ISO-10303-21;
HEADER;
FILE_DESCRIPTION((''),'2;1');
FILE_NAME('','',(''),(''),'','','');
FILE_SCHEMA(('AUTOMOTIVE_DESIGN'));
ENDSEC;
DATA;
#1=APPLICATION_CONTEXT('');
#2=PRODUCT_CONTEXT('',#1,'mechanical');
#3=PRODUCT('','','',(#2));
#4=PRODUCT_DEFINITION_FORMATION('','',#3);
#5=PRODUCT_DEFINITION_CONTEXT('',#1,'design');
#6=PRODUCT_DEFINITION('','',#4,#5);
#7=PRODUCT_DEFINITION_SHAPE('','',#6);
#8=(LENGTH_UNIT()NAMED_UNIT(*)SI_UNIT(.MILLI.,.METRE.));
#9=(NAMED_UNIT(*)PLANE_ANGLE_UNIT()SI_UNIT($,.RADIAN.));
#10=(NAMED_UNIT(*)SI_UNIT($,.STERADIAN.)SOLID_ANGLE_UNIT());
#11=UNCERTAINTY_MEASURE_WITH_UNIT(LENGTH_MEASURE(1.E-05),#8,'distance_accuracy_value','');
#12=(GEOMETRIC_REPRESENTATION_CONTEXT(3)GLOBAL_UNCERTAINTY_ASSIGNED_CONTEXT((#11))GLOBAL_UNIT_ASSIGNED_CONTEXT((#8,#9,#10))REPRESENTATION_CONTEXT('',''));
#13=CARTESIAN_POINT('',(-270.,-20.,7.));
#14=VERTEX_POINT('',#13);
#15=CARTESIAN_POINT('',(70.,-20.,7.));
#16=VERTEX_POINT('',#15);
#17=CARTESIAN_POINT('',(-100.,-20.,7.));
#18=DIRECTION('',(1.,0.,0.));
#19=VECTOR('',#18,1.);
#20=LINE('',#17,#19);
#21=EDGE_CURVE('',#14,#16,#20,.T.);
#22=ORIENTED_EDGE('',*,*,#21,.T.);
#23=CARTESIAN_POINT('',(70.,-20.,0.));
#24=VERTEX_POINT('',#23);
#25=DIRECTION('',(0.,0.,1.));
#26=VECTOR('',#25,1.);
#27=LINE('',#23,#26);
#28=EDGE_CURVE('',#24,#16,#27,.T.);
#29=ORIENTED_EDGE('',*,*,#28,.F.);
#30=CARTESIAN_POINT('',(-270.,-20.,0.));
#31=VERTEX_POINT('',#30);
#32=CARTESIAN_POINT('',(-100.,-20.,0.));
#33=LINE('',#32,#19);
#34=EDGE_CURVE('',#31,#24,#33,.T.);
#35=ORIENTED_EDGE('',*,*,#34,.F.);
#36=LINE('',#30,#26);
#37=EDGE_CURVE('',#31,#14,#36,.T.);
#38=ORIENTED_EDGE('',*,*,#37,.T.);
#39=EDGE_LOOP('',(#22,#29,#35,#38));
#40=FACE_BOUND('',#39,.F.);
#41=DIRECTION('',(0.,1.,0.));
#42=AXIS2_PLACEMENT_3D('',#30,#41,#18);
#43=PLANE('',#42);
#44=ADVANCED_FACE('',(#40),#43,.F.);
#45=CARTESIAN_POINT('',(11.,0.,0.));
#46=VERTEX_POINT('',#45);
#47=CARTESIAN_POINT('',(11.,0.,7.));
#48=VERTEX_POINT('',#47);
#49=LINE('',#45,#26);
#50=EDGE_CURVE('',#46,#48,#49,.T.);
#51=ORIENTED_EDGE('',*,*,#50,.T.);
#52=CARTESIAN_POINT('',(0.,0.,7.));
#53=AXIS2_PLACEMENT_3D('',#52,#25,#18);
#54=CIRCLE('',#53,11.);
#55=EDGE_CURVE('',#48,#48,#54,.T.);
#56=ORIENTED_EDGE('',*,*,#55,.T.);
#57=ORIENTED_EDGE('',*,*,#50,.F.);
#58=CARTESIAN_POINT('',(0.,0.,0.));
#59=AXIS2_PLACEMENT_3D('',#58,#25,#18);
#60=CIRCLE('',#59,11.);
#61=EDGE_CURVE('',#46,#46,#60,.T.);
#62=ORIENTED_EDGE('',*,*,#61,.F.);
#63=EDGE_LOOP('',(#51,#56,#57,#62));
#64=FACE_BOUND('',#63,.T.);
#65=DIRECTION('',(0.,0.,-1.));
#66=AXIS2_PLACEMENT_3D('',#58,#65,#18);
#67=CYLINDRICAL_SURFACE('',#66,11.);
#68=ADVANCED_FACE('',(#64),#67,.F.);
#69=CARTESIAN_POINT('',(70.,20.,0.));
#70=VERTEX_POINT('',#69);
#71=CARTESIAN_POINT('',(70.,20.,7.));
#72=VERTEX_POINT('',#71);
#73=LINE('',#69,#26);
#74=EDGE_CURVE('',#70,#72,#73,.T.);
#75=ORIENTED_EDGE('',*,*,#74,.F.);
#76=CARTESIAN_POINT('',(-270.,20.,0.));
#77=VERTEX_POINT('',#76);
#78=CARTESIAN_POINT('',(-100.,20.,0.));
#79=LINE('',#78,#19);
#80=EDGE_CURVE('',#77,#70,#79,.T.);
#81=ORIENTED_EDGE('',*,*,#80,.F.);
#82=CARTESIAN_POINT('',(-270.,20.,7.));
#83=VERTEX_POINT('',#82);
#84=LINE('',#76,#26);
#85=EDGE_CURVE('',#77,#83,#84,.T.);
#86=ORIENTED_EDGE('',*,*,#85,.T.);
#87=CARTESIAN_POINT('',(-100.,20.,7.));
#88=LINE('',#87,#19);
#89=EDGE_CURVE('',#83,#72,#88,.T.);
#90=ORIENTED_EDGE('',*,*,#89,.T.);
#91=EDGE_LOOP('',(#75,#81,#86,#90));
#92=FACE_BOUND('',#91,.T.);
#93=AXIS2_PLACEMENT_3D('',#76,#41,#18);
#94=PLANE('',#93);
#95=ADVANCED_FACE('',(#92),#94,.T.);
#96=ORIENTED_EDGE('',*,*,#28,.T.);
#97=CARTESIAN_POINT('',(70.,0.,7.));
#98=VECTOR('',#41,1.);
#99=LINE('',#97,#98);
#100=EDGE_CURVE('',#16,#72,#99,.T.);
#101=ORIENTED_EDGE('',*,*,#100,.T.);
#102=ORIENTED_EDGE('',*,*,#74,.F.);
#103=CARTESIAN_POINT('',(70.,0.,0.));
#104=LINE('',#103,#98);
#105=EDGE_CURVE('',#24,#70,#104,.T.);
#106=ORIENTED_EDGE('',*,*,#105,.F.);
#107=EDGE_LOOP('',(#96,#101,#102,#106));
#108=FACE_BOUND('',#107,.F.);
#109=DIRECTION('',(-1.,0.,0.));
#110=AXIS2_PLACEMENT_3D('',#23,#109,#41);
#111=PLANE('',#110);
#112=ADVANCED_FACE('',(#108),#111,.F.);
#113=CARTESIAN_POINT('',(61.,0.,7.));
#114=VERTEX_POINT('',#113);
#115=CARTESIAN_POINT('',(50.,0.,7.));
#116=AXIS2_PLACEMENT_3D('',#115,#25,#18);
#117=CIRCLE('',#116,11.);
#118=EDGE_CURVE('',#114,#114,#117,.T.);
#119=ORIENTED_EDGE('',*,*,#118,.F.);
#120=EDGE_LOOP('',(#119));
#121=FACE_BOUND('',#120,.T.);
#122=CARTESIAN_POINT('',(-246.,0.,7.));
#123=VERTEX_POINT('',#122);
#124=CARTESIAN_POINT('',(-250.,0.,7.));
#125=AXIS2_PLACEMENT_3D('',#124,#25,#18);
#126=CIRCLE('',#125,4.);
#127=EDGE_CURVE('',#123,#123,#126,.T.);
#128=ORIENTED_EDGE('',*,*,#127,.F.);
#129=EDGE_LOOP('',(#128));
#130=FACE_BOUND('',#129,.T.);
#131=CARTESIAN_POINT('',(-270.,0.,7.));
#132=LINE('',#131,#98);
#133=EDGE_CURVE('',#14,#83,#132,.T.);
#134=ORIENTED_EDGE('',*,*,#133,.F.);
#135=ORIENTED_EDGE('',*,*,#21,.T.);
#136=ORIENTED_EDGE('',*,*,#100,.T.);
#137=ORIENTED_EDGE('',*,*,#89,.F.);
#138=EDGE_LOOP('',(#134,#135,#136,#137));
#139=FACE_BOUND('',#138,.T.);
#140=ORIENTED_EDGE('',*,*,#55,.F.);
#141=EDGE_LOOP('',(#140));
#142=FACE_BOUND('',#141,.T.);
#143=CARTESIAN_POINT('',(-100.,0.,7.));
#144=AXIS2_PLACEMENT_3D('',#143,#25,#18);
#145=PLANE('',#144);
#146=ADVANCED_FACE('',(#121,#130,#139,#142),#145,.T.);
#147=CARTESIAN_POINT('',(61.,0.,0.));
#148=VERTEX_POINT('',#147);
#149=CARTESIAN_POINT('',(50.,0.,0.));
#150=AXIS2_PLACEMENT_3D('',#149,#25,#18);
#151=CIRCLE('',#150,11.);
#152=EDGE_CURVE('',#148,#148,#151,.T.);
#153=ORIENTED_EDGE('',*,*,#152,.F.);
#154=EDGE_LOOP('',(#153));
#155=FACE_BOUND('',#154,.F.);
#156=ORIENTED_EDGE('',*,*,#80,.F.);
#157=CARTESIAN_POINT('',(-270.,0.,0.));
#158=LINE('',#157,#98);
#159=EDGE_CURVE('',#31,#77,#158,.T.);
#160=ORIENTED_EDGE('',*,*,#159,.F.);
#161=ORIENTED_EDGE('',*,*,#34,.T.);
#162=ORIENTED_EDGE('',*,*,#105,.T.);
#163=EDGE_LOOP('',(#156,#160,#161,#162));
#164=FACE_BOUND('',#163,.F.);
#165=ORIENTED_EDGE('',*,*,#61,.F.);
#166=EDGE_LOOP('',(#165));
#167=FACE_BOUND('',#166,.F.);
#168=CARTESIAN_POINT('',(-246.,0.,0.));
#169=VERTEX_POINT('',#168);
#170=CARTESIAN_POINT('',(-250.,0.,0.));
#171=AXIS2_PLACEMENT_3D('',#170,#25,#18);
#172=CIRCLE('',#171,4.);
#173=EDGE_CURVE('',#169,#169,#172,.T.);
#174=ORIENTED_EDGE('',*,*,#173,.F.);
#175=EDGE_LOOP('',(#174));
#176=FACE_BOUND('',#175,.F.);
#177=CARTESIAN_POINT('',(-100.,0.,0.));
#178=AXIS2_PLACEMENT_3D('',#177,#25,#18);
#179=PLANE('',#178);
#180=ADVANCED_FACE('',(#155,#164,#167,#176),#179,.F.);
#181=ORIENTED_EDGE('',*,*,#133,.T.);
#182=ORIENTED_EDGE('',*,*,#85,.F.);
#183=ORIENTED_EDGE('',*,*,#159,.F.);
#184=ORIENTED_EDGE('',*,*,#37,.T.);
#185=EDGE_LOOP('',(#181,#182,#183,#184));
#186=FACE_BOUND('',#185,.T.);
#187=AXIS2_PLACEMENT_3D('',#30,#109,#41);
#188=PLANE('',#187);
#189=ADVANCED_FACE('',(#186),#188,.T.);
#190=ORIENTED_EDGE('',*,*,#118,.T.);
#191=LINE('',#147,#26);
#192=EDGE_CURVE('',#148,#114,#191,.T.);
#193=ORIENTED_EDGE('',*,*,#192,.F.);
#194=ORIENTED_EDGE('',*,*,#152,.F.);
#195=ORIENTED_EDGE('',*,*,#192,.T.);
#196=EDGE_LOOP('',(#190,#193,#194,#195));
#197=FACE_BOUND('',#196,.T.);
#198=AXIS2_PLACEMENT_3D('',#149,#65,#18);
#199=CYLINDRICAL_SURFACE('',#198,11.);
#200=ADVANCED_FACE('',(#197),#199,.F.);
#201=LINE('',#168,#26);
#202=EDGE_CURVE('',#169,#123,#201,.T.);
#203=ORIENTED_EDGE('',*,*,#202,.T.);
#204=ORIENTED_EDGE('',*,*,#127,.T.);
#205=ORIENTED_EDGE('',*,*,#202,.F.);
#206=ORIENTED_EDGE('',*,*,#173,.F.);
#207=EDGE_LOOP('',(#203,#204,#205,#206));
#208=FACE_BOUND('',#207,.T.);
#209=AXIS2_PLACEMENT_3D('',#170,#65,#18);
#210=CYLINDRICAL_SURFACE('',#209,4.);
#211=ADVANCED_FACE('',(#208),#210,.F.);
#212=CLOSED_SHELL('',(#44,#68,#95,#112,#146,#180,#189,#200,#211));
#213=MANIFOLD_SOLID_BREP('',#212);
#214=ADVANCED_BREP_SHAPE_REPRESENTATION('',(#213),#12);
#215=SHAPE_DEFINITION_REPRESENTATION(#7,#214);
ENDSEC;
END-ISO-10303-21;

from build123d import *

# Parameters (mm, degrees)
SKETCH_W   = 340
SKETCH_H   = 40
SKETCH_R   = 11
SKETCH_R_2 = 4
PAD_DEPTH  = 7


with BuildPart() as part:
    # Sketch → Pad (new body)
    with BuildSketch(Plane.XY):
        with Locations((-100, 0)):
            Rectangle(SKETCH_W, SKETCH_H)
        Circle(SKETCH_R, mode=Mode.SUBTRACT)
        with Locations((50, 0)):
            Circle(SKETCH_R, mode=Mode.SUBTRACT)
        with Locations((-250, 0)):
            Circle(SKETCH_R_2, mode=Mode.SUBTRACT)
    extrude(amount=PAD_DEPTH)


solid = part.part
